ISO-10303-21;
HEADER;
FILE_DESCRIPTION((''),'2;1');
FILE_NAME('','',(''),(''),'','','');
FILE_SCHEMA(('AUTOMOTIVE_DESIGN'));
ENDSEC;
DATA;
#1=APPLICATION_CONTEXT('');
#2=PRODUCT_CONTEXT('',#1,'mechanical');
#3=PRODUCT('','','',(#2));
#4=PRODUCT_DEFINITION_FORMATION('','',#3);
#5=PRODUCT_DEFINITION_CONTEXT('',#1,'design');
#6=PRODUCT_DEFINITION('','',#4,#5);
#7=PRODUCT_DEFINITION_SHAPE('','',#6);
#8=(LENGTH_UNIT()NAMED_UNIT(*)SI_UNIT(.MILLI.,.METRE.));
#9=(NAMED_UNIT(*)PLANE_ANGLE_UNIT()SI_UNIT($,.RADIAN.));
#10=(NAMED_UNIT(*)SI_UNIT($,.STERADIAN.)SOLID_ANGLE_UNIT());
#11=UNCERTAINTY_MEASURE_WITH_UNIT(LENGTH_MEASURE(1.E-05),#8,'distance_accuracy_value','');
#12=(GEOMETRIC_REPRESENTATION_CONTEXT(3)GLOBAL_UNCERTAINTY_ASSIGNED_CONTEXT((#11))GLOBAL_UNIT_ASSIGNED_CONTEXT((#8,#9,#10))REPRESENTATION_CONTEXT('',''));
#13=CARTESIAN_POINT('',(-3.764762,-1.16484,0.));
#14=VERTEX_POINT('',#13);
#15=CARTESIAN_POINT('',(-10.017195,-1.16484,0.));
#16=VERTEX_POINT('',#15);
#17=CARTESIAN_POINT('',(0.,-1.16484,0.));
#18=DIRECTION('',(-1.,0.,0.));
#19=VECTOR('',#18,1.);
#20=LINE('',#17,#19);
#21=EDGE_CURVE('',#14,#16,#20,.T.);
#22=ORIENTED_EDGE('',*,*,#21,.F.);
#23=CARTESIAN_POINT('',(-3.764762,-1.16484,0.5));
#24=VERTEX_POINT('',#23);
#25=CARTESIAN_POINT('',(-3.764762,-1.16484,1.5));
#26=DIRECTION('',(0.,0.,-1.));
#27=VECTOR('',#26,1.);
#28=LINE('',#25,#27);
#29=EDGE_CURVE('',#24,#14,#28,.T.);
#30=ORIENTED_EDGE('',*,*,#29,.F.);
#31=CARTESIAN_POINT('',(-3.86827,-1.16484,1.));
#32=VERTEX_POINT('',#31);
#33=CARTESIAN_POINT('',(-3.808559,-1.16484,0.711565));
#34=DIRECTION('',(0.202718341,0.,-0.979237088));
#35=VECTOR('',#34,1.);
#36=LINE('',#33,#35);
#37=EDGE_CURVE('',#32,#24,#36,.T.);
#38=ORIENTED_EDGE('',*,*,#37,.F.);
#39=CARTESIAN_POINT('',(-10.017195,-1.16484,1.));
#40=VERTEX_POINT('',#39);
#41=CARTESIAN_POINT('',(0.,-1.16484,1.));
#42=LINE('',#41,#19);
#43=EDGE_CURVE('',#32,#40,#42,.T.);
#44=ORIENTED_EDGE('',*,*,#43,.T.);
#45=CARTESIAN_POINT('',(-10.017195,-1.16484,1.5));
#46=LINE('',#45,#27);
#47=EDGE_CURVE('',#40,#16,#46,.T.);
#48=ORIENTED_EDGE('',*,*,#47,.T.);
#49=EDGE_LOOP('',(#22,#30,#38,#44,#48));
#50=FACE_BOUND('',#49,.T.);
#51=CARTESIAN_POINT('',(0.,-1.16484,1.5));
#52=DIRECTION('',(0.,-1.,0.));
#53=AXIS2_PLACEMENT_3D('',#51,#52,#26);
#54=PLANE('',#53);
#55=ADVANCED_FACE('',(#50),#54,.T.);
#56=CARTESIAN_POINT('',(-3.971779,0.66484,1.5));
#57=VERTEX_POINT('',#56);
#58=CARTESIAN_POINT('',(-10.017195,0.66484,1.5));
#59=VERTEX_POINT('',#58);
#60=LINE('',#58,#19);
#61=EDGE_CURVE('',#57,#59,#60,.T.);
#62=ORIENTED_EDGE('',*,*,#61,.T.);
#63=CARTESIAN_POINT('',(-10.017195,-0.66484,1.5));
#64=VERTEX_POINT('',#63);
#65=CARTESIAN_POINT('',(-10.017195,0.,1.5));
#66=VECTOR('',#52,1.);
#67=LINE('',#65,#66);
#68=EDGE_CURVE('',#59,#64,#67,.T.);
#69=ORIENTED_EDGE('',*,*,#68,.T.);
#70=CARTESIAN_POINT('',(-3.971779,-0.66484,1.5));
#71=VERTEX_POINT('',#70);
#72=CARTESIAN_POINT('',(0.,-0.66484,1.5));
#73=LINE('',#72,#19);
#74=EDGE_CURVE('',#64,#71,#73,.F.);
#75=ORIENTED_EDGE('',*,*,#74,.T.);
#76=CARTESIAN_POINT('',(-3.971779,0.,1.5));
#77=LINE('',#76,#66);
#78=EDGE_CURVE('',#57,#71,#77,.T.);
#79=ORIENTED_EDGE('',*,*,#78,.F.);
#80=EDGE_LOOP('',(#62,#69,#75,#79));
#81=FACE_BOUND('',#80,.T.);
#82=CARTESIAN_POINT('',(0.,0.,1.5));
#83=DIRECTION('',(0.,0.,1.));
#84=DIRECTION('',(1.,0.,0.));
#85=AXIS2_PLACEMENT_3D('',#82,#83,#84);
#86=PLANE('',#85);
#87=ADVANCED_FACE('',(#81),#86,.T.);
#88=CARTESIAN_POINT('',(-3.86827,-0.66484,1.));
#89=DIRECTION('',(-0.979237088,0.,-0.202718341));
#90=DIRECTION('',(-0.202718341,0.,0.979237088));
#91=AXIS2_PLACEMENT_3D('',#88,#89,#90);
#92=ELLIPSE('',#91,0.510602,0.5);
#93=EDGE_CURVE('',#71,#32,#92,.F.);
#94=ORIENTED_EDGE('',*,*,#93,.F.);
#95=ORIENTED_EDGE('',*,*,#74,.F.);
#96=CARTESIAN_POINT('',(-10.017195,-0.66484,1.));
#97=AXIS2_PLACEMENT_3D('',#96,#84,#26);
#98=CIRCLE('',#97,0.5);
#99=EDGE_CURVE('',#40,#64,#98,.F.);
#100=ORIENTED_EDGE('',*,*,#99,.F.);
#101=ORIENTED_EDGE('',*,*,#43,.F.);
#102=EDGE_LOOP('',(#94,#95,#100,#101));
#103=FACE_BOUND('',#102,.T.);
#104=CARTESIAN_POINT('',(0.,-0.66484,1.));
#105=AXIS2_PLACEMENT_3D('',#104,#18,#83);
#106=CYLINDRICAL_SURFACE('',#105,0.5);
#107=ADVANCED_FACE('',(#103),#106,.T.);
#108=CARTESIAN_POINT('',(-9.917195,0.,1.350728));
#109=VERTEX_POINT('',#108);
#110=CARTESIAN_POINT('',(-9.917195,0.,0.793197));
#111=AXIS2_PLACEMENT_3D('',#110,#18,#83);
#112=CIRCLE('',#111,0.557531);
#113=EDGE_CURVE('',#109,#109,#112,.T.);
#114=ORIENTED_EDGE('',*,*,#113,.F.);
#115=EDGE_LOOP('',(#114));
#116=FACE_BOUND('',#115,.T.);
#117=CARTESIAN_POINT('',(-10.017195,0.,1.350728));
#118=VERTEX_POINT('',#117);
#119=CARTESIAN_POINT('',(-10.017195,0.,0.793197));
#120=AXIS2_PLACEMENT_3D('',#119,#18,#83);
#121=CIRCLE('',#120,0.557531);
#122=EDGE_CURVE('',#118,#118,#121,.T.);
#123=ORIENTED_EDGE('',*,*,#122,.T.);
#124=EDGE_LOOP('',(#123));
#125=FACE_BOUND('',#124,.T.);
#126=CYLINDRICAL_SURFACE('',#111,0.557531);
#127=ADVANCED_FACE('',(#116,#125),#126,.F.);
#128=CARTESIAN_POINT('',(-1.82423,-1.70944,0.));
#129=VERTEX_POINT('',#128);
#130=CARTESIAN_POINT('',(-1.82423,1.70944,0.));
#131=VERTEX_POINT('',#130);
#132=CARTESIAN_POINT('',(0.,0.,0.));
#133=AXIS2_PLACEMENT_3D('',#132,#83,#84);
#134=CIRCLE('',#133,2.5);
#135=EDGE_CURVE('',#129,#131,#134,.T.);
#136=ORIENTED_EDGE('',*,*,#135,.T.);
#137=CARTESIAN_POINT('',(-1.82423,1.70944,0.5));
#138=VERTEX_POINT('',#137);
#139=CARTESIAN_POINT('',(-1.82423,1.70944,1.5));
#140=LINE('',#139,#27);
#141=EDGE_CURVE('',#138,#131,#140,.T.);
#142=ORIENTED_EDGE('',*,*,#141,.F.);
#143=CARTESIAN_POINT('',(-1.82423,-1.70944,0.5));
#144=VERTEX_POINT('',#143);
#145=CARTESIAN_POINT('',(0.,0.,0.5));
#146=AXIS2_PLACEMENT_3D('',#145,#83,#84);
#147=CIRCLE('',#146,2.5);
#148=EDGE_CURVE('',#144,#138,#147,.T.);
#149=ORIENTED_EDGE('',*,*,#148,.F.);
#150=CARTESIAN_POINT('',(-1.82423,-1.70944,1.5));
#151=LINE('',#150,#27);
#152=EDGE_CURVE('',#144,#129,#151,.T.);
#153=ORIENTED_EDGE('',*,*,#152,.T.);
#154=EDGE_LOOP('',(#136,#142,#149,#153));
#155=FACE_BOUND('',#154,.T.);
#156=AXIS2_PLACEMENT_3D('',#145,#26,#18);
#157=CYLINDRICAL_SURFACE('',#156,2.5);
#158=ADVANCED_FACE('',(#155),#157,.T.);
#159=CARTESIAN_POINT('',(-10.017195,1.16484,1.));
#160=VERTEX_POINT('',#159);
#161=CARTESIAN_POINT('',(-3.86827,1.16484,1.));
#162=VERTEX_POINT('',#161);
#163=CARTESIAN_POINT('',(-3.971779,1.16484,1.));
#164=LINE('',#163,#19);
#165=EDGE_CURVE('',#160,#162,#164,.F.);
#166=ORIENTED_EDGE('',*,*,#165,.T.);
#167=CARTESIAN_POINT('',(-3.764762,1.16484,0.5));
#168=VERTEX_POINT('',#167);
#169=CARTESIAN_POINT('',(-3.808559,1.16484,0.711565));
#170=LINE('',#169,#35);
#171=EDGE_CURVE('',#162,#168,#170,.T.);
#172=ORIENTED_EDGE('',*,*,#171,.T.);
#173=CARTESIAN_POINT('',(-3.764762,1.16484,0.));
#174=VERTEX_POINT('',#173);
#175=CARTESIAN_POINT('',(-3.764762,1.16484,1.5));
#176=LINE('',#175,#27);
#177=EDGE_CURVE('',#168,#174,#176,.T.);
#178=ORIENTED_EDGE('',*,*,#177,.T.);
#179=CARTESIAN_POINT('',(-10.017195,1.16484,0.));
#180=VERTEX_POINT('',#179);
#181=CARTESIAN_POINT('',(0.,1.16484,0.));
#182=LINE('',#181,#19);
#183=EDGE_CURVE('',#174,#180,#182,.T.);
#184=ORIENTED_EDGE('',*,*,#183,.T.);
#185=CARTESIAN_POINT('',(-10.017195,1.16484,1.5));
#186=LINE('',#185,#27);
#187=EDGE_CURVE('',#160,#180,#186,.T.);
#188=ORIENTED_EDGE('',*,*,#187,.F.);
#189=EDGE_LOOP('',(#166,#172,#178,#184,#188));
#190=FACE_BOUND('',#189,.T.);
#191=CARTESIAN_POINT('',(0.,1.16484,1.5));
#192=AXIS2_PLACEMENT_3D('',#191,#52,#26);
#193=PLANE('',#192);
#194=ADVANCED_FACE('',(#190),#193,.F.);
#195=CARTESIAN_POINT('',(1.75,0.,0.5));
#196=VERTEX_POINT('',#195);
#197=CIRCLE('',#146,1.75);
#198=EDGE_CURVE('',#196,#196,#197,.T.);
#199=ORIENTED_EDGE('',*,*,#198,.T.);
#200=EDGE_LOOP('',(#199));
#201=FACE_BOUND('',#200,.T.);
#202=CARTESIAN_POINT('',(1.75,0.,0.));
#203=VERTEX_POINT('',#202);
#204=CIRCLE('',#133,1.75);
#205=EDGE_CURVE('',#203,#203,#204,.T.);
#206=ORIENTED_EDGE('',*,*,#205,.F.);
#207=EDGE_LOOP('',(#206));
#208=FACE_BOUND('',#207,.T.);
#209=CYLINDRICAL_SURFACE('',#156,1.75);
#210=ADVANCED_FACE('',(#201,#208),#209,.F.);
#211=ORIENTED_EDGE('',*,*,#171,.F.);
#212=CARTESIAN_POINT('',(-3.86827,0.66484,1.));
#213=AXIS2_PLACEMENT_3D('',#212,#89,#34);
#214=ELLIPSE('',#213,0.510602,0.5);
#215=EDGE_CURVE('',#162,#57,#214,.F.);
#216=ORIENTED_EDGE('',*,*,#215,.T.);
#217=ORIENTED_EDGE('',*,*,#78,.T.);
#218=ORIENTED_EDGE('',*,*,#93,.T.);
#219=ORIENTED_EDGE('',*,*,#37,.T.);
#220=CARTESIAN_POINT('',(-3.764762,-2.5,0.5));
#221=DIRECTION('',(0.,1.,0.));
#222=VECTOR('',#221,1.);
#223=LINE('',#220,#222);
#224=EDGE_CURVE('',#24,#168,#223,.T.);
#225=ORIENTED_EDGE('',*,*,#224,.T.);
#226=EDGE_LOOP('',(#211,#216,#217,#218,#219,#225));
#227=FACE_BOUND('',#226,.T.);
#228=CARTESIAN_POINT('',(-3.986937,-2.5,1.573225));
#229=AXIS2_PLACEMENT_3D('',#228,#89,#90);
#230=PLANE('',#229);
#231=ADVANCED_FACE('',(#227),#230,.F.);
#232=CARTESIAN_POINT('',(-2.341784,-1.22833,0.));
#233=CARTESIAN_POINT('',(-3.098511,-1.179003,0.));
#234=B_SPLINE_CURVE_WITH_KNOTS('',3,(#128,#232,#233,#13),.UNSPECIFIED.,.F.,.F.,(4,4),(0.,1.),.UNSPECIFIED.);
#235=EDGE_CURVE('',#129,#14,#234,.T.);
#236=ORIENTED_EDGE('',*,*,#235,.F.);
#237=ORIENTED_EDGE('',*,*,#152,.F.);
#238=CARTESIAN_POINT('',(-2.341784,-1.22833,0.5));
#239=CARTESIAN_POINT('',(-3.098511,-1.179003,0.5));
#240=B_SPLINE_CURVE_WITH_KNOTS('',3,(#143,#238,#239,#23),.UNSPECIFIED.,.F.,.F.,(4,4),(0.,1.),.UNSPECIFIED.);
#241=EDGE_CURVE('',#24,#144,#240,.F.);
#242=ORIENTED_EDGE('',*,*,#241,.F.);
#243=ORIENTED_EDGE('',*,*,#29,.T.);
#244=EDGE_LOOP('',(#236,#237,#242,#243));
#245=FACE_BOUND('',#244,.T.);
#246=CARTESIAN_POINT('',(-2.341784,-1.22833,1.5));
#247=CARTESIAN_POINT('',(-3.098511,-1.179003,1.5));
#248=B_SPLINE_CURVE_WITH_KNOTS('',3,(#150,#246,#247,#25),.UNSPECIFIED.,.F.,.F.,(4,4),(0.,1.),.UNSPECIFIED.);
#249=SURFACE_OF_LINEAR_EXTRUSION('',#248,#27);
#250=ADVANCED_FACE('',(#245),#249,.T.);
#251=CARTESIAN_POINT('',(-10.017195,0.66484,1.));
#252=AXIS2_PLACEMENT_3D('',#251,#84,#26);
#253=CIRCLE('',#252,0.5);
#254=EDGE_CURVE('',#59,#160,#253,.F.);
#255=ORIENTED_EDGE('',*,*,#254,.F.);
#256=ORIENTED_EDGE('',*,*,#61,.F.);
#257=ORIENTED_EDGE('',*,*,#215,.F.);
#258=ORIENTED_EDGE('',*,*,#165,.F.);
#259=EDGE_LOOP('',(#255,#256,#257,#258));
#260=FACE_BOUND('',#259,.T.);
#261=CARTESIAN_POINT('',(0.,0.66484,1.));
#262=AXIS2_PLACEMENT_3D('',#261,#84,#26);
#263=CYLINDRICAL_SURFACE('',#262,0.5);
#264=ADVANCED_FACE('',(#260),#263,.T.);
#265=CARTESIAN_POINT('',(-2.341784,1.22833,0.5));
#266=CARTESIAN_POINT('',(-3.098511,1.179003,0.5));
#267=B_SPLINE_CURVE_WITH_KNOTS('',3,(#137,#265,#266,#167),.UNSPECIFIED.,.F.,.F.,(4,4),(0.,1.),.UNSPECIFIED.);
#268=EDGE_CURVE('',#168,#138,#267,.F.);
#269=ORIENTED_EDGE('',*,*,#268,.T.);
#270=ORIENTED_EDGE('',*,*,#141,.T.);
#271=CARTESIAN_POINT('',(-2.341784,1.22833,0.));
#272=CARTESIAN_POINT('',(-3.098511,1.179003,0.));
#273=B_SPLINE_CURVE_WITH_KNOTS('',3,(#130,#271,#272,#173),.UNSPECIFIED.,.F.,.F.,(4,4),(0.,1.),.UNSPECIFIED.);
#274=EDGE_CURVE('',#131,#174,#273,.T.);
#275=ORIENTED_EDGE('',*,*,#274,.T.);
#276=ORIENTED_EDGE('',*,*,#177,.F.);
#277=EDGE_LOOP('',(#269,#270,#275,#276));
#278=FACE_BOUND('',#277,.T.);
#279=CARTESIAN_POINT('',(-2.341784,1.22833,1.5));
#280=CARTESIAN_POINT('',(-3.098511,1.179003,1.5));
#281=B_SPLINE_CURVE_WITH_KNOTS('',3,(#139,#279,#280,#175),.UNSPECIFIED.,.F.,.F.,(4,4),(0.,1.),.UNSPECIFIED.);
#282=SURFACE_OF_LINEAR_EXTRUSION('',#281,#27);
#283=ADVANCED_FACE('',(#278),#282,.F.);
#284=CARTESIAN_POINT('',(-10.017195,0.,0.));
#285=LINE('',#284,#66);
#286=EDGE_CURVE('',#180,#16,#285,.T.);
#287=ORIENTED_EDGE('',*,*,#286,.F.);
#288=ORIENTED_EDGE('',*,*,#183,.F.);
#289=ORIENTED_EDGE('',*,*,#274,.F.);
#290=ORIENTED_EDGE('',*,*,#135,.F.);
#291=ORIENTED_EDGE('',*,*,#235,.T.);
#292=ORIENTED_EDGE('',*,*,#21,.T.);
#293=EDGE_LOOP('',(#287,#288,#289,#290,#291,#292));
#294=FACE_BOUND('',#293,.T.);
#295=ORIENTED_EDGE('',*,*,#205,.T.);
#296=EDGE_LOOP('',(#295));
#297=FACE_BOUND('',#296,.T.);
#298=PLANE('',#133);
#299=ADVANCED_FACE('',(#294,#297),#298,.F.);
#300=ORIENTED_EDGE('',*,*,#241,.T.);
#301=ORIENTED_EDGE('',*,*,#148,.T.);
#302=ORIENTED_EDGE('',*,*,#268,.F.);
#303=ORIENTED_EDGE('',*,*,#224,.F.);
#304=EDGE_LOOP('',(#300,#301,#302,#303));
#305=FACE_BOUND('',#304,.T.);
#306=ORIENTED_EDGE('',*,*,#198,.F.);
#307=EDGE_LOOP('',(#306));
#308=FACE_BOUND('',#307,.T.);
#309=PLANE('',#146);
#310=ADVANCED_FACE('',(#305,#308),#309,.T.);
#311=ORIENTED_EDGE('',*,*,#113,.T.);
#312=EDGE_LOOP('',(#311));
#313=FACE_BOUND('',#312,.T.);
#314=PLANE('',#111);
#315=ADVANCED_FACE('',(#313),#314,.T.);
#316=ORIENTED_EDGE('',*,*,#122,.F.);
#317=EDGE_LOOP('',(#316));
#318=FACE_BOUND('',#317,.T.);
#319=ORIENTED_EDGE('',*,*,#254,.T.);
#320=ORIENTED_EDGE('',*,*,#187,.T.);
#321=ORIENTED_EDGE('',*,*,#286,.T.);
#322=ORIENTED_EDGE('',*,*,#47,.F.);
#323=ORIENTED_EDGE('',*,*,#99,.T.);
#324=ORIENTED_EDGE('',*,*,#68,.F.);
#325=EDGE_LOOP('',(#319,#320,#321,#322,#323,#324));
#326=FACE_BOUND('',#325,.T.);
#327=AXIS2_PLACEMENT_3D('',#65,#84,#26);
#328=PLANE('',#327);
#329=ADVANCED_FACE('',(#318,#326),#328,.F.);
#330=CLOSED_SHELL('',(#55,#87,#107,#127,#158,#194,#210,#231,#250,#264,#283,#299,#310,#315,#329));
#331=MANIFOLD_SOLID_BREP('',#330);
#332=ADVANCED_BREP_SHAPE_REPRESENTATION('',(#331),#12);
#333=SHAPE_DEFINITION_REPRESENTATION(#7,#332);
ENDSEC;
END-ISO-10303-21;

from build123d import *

# Parameters (mm, degrees)
SKETCH_1_R               = 2.5
SKETCH_1_R_2             = 1.75
EXTRUDE_1_DEPTH          = 0.5
EXTRUDE_2_DEPTH          = 1.5
CUT_EXTRUDE_1_DEPTH      = 11.432842359
CUT_EXTRUDE_1_DEPTH_BACK = 11.432842359
FILLET_1_R               = 0.5
SKETCH_4_R               = 0.557530811
CUT_EXTRUDE_2_DEPTH      = 0.1


with BuildPart() as part:
    # ｽｹｯﾁ1 → ﾎﾞｽ - 押し出し1 (new body)
    with BuildSketch(Plane.XY):
        Circle(SKETCH_1_R)
        Circle(SKETCH_1_R_2, mode=Mode.SUBTRACT)
    extrude(amount=EXTRUDE_1_DEPTH)

    # ｽｹｯﾁ2 → ﾎﾞｽ - 押し出し2 (add)
    with BuildSketch(Plane.XY):
        with BuildLine():
            add(Edge.make_bspline(
                [(-1.824229961, 1.709439981), (-2.341784399, 1.228330404), (-3.098510874, 1.179003243), (-3.764761935, 1.164839708)],
                knots=[0, 0, 0, 0, 1, 1, 1, 1], degree=3))
            Line((-3.764761935, 1.164839708), (-10.01719506, 1.164839708))
            Line((-10.01719506, 1.164839708), (-10.01719506, -1.164839708))
            Line((-10.01719506, -1.164839708), (-3.764761935, -1.164839708))
            add(Edge.make_bspline(
                [(-1.824229961, -1.709439981), (-2.341784399, -1.228330404), (-3.098510874, -1.179003243), (-3.764761935, -1.164839708)],
                knots=[0, 0, 0, 0, 1, 1, 1, 1], degree=3))
            ThreePointArc((-1.824229961, -1.709439981), (-2.324927408, -0.919082449), (-2.5, 0))
            ThreePointArc((-2.5, 0), (-2.324927408, 0.919082449), (-1.824229961, 1.709439981))
        make_face()
    extrude(amount=EXTRUDE_2_DEPTH)

    # ｽｹｯﾁ3 → ｶｯﾄ - 押し出し1 (cut, two sides: drawn at the far end of the back side and taken through both)
    with BuildSketch(Plane(origin=(0, 0, 0), x_dir=(1, 0, 0), z_dir=(0, 1, 0)).offset(-CUT_EXTRUDE_1_DEPTH_BACK)):
        Polygon((-3.986937401, -1.573225325), (-3.764761935, -0.5), (-1.824229961, -0.5), (-1.824229961, -1.921744076), (-3.986937401, -1.921744076), align=None)
    extrude(amount=CUT_EXTRUDE_1_DEPTH + CUT_EXTRUDE_1_DEPTH_BACK, mode=Mode.SUBTRACT)

    # ﾌｨﾚｯﾄ1
    fillet_1_edges = [part.edges().sort_by_distance(p)[0] for p in [
        (-6.994486802, -1.164839708, 1.5),
        (-6.994486802, 1.164839708, 1.5),
    ]]
    fillet(fillet_1_edges, radius=FILLET_1_R)

    # ｽｹｯﾁ4 → ｶｯﾄ - 押し出し2 (cut)
    with BuildSketch(Plane.ZY.offset(10.01719506)):
        with Locations((0.793196725, 0)):
            Circle(SKETCH_4_R)
    extrude(amount=-CUT_EXTRUDE_2_DEPTH, mode=Mode.SUBTRACT)


solid = part.part
